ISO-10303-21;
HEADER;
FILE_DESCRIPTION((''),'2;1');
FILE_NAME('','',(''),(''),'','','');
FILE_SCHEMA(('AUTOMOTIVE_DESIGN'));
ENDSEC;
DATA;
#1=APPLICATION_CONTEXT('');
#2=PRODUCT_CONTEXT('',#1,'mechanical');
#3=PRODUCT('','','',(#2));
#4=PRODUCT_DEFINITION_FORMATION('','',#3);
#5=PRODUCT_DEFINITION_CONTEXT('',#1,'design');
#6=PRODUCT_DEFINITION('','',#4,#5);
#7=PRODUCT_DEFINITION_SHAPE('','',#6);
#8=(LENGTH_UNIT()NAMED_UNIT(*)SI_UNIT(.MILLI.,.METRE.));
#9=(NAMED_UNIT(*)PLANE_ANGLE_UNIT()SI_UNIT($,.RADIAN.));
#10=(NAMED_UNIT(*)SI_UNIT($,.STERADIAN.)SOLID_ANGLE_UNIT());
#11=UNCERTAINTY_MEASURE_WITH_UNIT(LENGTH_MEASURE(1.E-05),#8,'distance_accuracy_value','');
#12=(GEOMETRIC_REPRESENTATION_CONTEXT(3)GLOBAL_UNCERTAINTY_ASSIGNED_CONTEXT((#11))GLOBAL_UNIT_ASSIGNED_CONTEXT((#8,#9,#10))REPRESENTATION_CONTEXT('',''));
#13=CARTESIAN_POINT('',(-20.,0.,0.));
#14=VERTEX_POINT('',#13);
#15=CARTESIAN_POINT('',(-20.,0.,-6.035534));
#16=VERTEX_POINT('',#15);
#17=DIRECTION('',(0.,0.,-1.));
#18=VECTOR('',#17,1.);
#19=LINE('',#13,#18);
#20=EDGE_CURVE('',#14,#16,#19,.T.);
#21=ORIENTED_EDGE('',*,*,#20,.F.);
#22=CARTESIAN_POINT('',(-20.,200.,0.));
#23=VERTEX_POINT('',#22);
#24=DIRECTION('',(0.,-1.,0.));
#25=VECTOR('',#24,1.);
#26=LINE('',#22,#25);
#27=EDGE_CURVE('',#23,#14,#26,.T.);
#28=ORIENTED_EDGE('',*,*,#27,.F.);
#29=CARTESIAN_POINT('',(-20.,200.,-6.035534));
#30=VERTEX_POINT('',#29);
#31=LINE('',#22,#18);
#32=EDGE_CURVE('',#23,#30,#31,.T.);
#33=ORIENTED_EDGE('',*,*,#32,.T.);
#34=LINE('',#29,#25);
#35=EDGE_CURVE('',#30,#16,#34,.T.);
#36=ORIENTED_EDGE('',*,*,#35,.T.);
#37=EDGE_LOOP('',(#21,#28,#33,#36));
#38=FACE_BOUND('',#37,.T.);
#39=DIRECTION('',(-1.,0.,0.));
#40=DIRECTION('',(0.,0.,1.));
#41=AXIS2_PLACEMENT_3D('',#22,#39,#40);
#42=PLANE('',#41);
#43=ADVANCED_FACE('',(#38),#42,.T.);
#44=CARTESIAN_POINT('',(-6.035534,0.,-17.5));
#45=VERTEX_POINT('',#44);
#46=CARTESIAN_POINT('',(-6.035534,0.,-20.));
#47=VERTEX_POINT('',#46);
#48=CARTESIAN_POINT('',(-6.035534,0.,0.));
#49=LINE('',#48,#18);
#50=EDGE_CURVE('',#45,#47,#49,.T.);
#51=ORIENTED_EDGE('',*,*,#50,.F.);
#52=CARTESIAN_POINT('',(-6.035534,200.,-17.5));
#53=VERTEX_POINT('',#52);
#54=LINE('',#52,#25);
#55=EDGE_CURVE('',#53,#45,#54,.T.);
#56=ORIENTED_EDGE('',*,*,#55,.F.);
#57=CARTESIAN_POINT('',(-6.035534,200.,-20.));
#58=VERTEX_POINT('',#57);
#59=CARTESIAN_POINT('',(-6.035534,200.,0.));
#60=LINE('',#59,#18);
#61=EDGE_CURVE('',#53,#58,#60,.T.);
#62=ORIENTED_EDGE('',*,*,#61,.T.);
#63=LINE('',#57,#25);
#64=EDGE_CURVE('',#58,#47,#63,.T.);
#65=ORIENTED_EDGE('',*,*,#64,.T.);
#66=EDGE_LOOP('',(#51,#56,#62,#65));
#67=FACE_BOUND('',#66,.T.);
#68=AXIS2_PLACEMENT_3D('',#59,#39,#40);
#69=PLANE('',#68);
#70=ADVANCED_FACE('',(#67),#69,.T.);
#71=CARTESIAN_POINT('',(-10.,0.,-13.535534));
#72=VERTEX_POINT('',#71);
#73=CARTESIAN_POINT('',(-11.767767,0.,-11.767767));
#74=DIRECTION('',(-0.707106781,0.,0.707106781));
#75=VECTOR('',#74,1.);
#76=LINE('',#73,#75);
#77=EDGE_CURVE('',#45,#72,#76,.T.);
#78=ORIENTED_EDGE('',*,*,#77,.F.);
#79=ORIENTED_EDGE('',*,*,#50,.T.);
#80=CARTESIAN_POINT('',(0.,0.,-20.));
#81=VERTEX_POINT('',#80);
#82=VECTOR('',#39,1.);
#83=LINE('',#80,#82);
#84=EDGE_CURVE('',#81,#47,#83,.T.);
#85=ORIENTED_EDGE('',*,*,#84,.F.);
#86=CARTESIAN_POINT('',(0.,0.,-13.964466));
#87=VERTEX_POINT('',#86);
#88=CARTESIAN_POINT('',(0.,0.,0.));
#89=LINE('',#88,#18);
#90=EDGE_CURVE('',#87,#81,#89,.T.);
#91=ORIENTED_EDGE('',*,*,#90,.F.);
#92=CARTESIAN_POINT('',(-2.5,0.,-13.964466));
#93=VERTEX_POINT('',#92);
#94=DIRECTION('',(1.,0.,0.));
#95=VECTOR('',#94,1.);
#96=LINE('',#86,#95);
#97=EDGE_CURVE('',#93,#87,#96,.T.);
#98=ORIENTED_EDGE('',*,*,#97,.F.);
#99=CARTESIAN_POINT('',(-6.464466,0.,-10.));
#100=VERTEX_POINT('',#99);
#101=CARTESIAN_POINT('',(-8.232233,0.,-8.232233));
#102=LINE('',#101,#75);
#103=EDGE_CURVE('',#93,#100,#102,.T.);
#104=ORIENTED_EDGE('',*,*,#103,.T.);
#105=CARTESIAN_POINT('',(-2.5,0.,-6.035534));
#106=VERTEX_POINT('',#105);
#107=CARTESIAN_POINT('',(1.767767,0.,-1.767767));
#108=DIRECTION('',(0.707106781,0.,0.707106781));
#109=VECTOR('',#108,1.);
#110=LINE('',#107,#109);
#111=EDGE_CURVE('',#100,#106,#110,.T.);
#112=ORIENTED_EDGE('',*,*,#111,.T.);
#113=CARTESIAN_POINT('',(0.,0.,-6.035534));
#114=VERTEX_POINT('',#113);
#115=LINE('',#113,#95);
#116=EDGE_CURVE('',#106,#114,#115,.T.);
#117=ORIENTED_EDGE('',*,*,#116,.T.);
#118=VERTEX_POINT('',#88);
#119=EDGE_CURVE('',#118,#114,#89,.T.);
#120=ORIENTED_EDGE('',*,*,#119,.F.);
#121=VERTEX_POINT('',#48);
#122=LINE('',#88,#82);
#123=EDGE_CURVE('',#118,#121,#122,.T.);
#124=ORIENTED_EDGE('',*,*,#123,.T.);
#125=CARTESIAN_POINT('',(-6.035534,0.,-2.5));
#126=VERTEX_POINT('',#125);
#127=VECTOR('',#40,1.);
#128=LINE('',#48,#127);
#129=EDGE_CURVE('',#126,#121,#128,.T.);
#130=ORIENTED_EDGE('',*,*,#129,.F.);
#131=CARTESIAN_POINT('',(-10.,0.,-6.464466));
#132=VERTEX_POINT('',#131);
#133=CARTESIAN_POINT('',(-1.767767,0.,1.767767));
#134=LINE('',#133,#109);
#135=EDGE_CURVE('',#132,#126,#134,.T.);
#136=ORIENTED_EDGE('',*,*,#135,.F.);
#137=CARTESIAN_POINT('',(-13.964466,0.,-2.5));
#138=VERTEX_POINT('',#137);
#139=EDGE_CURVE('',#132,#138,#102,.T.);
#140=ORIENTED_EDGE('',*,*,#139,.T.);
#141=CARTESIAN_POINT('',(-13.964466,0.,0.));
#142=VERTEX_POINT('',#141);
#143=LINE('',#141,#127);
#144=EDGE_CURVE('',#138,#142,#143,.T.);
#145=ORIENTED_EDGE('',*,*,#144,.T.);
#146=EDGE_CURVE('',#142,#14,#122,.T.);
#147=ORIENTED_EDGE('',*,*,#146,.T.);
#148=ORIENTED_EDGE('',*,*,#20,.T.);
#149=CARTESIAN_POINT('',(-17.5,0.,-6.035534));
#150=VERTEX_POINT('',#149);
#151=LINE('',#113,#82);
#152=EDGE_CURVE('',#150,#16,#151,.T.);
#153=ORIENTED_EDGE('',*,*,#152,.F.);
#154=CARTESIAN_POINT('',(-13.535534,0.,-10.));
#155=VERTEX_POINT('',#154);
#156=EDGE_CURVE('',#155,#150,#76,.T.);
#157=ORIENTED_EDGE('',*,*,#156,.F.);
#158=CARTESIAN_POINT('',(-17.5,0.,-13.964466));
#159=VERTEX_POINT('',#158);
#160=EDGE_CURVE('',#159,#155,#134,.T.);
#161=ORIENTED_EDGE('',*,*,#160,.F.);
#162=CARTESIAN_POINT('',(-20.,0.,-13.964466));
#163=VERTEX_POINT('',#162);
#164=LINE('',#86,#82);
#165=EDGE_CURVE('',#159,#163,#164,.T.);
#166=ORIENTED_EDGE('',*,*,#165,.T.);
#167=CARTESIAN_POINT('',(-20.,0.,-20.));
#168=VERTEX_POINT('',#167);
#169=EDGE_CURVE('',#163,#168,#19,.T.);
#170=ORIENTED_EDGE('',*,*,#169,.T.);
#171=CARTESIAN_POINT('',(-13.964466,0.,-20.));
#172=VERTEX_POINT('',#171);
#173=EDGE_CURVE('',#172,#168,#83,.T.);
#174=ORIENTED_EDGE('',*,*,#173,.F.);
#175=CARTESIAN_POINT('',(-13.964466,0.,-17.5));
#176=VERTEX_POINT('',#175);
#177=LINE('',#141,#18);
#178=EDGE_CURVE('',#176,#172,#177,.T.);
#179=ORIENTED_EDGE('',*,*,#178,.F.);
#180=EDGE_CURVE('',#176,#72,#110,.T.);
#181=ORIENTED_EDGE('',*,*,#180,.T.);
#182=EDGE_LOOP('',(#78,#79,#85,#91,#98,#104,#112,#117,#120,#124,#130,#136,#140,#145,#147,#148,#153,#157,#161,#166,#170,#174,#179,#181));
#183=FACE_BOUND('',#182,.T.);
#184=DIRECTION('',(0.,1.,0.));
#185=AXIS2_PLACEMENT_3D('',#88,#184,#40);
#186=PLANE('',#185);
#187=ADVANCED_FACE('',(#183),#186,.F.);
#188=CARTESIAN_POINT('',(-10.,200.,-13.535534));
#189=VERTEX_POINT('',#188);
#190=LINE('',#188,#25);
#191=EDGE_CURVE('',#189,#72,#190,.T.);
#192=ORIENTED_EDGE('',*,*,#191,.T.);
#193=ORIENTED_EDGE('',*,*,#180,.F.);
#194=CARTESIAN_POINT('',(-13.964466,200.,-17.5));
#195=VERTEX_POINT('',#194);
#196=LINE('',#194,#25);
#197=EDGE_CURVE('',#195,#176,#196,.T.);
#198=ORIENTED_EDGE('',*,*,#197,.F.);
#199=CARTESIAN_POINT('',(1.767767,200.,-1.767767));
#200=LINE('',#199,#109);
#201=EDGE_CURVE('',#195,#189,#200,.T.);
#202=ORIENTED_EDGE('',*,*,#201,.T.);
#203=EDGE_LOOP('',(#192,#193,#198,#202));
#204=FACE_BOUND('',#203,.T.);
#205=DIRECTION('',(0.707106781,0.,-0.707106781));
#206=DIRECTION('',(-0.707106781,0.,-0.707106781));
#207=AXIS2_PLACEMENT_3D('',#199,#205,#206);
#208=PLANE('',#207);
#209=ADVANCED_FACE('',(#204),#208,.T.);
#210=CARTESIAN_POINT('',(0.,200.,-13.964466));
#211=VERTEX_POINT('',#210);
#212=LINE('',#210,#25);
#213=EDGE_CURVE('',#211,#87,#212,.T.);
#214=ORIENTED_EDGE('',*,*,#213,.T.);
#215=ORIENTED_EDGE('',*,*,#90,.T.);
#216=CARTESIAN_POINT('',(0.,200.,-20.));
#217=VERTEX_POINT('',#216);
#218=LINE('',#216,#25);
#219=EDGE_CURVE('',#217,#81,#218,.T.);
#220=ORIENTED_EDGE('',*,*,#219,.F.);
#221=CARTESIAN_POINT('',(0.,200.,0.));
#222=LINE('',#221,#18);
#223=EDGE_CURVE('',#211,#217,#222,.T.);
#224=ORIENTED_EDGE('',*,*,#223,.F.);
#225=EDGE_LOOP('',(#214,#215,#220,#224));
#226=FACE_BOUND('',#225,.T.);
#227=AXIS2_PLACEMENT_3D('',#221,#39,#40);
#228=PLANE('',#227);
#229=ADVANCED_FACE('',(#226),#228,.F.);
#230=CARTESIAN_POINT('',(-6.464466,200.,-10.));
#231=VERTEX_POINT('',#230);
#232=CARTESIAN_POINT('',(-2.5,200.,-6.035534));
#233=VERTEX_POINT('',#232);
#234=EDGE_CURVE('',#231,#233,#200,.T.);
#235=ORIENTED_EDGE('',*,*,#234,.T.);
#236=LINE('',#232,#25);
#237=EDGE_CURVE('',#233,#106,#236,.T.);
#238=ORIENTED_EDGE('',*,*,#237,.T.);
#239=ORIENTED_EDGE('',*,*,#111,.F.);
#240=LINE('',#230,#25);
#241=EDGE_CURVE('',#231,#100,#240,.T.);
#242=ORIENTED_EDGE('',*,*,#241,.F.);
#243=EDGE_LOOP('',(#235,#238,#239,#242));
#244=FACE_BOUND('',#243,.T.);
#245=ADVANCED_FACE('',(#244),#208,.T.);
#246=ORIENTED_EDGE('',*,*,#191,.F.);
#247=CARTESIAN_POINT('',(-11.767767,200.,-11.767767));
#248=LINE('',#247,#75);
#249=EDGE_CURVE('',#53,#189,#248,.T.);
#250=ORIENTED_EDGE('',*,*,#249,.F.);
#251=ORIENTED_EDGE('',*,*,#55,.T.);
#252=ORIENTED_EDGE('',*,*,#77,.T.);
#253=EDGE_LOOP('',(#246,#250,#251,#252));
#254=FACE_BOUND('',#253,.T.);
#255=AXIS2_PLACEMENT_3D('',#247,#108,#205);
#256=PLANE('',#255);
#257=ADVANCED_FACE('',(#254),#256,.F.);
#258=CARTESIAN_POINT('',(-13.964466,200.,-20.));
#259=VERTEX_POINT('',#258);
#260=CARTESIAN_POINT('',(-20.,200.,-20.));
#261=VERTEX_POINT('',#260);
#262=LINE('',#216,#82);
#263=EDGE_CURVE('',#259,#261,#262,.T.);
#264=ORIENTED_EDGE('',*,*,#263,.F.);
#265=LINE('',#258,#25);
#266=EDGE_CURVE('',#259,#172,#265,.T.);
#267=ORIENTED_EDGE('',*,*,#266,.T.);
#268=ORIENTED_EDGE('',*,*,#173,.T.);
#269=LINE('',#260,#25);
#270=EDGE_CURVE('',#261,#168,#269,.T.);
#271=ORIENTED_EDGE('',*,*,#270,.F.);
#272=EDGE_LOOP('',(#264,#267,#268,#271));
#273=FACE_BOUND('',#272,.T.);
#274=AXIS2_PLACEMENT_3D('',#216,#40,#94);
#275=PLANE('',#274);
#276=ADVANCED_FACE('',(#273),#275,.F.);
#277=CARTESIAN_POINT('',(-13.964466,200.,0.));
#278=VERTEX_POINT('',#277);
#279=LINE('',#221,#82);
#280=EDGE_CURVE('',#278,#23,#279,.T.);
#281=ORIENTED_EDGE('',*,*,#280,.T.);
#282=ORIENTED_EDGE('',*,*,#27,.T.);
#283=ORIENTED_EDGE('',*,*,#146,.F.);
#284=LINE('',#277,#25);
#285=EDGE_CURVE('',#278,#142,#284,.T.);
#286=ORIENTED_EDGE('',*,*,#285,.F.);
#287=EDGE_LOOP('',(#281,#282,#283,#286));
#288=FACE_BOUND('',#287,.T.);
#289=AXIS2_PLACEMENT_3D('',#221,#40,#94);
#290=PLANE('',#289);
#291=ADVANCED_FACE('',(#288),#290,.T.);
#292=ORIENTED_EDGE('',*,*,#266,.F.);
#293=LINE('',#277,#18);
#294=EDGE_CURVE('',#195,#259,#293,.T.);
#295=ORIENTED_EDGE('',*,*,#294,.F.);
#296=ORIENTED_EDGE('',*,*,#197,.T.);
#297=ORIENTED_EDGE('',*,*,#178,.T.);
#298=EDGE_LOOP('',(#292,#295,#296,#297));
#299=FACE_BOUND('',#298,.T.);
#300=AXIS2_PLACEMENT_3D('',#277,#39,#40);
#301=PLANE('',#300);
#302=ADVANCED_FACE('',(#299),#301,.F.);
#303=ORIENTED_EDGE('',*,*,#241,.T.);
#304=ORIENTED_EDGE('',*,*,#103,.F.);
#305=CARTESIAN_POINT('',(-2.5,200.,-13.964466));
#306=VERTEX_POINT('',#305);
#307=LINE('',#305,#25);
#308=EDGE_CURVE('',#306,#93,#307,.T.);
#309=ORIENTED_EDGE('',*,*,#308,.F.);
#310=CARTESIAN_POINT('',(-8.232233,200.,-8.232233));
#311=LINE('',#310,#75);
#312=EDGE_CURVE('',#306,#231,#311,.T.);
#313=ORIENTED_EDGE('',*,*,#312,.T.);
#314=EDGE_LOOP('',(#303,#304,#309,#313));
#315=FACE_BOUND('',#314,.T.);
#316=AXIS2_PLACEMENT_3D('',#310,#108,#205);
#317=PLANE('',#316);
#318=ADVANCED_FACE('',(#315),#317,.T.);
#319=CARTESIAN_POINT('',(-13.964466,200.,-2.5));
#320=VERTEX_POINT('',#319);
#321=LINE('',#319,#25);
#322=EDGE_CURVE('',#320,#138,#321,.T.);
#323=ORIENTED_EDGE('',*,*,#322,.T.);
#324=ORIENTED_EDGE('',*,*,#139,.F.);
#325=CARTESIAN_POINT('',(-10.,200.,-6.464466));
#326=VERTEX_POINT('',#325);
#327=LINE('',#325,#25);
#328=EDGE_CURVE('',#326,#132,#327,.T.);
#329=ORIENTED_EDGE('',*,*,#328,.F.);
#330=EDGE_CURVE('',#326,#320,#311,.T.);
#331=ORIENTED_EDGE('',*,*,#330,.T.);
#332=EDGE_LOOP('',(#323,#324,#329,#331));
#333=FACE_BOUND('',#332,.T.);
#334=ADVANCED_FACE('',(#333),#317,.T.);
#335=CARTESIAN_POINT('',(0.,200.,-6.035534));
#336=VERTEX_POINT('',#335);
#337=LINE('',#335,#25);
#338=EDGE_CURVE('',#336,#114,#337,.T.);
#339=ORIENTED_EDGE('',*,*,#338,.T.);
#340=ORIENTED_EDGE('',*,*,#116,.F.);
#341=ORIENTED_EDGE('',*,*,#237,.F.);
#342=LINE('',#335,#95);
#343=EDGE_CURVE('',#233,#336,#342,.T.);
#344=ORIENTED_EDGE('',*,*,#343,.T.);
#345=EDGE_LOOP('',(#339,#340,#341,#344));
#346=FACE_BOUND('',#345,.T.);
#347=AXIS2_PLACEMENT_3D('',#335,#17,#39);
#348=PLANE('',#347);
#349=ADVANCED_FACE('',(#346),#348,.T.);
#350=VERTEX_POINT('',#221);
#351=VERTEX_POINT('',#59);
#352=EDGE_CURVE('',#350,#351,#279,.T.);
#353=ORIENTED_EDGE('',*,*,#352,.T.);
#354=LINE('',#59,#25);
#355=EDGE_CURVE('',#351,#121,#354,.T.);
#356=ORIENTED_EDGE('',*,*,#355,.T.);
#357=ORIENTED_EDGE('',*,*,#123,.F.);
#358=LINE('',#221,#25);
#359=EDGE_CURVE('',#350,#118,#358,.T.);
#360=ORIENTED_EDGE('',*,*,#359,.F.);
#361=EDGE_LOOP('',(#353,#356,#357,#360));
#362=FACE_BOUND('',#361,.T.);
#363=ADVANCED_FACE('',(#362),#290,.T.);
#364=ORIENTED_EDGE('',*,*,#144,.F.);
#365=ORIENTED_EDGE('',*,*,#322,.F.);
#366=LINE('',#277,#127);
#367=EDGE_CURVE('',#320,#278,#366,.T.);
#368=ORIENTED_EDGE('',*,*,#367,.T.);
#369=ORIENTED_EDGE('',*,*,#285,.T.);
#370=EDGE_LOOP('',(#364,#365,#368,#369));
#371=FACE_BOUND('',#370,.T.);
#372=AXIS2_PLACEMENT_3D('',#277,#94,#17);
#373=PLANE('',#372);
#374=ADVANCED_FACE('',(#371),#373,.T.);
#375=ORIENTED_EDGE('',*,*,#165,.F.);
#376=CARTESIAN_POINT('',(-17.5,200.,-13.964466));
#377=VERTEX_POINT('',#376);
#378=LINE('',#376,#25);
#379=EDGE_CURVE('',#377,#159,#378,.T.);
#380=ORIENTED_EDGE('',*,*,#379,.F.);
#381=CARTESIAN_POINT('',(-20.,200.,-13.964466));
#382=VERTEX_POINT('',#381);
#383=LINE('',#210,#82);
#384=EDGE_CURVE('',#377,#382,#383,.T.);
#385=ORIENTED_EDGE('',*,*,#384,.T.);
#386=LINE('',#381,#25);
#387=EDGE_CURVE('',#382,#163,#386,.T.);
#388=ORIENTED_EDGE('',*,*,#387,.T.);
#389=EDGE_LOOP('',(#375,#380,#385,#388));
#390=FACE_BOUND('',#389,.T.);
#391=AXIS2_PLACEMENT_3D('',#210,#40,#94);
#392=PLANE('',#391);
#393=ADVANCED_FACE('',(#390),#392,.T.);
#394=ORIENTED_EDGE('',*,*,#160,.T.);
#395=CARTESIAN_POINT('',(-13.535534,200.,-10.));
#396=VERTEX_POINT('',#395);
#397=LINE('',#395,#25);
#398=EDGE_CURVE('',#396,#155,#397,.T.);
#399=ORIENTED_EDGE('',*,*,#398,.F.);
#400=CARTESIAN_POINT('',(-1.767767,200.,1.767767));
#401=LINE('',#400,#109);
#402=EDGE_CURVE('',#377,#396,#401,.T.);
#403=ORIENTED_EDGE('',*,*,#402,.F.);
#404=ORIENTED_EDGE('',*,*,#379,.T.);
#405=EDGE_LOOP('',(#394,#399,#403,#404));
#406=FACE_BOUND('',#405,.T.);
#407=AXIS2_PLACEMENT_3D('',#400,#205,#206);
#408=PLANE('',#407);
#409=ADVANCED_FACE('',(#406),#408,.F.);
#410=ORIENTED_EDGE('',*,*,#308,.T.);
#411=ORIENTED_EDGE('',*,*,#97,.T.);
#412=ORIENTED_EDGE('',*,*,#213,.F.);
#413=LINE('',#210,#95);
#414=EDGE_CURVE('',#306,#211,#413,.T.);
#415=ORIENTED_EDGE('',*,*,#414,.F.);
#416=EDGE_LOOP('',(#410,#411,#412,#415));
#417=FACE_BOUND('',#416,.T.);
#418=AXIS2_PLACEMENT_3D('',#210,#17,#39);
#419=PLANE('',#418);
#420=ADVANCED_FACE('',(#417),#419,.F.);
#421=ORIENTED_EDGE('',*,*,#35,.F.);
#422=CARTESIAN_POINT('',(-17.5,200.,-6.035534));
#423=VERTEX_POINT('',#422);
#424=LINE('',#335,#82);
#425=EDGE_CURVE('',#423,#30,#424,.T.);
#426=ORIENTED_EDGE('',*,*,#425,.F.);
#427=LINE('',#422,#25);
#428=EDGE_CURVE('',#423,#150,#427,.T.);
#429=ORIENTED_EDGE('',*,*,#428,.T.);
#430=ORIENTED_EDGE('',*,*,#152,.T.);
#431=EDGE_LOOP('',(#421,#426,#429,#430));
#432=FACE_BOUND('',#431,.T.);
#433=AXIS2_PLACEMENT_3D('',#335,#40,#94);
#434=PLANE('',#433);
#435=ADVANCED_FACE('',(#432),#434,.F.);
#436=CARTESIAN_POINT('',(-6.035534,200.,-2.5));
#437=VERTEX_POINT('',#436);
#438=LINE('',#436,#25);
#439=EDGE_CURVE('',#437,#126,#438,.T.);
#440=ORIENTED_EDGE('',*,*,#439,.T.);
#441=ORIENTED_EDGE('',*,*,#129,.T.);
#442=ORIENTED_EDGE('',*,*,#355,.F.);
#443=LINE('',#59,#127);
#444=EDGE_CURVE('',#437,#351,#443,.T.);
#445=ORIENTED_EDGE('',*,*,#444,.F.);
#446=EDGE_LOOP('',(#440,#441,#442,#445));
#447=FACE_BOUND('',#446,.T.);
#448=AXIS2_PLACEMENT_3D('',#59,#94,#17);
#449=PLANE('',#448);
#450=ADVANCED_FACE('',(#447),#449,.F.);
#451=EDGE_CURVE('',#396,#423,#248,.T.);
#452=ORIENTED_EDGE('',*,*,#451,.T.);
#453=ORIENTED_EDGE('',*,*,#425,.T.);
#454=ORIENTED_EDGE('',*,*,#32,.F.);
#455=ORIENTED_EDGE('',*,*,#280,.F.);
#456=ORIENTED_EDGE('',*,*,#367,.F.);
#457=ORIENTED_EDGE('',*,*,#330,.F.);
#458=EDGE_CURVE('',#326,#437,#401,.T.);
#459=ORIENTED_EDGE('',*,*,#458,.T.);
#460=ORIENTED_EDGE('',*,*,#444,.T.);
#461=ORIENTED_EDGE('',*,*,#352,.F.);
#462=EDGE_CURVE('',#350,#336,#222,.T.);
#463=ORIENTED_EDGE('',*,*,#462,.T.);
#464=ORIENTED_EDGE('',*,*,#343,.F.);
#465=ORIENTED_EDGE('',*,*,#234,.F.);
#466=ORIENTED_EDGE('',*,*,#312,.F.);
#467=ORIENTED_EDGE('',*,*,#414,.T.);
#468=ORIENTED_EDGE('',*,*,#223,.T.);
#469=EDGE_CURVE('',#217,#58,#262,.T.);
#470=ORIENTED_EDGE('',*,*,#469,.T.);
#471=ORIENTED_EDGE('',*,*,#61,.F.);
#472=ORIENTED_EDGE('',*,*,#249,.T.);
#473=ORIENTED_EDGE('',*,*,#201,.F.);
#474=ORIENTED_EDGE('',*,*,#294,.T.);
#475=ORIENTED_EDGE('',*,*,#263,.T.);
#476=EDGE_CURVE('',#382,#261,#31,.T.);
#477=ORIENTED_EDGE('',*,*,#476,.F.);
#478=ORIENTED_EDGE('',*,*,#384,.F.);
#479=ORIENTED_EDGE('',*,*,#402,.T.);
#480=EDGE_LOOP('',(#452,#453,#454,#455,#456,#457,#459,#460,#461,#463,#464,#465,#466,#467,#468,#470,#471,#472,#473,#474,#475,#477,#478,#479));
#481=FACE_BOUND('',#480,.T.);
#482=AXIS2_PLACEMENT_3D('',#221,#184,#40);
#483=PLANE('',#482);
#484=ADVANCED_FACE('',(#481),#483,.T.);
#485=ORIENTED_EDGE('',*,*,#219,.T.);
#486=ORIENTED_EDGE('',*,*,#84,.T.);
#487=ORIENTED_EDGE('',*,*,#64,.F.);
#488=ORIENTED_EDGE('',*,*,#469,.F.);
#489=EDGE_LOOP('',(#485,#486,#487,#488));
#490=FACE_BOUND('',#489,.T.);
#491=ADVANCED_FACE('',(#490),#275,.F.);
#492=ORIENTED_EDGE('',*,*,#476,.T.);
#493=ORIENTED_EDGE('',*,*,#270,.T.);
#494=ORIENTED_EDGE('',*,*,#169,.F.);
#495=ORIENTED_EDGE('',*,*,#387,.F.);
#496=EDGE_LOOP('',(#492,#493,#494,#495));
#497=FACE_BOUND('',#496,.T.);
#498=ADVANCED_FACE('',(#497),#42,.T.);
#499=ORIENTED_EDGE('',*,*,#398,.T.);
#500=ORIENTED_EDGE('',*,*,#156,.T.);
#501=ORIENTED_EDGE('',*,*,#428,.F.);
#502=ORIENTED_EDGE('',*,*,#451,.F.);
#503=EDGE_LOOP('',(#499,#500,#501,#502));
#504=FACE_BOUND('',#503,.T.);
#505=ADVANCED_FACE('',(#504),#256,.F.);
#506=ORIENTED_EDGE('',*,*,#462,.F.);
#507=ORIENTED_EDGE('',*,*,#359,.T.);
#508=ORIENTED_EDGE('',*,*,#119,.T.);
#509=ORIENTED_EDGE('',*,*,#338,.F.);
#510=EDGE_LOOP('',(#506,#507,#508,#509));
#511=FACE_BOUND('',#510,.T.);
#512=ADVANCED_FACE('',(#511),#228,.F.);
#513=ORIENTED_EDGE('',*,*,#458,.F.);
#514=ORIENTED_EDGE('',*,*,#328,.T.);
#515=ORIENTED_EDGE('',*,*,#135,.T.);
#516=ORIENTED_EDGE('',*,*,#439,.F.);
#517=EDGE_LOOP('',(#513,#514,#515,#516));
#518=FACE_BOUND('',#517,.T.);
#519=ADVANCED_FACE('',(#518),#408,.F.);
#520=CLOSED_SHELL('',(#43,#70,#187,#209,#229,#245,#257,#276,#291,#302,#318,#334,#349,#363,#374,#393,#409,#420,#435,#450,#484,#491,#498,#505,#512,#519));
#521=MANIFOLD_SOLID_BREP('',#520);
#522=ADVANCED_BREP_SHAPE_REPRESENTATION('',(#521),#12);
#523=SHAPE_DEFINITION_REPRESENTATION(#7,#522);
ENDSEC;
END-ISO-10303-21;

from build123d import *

# Parameters (mm, degrees)
BOSS_EXTRU_1_DEPTH = 200


with BuildPart() as part:
    # Esquisse1 → Boss.-Extru.1 (new body)
    with BuildSketch(Plane(origin=(0, 0, 0), x_dir=(1, 0, 0), z_dir=(0, 1, 0))):
        Polygon((-3.535533906, 0), (-6.035533906, 2.5), (-6.035533906, 0), align=None)
        Polygon((0, 3.535533906), (-2.5, 6.035533906), (-2.5, 2.5), (-6.035533906, 2.5), (-3.535533906, 0), (0, 0), align=None)
        Polygon((0, 6.035533906), (-2.5, 6.035533906), (0, 3.535533906), align=None)
        Polygon((-2.5, 2.5), (-2.5, 6.035533906), (-6.464466094, 10), (-10, 6.464466094), (-6.035533906, 2.5), align=None)
        Polygon((-13.964466094, 0), (-13.964466094, 2.5), (-16.464466094, 0), align=None)
        Polygon((-17.5, 2.5), (-17.5, 6.035533906), (-20, 3.535533906), (-20, 0), (-16.464466094, 0), (-13.964466094, 2.5), align=None)
        Polygon((-20, 3.535533906), (-17.5, 6.035533906), (-20, 6.035533906), align=None)
        Polygon((-10, 6.464466094), (-13.535533906, 10), (-17.5, 6.035533906), (-17.5, 2.5), (-13.964466094, 2.5), align=None)
        Polygon((-6.464466094, 10), (-10, 13.535533906), (-13.535533906, 10), (-10, 6.464466094), align=None)
        Polygon((-2.5, 13.964466094), (-2.5, 17.5), (-6.035533906, 17.5), (-10, 13.535533906), (-6.464466094, 10), align=None)
        Polygon((-6.035533906, 17.5), (-2.5, 17.5), (-2.5, 13.964466094), (0, 16.464466094), (0, 20), (-3.535533906, 20), align=None)
        Polygon((0, 16.464466094), (-2.5, 13.964466094), (0, 13.964466094), align=None)
        Polygon((-6.035533906, 20), (-6.035533906, 17.5), (-3.535533906, 20), align=None)
        Polygon((-16.464466094, 20), (-13.964466094, 17.5), (-13.964466094, 20), align=None)
        Polygon((-17.5, 17.5), (-13.964466094, 17.5), (-16.464466094, 20), (-20, 20), (-20, 16.464466094), (-17.5, 13.964466094), align=None)
        Polygon((-20, 13.964466094), (-17.5, 13.964466094), (-20, 16.464466094), align=None)
        Polygon((-10, 13.535533906), (-13.964466094, 17.5), (-17.5, 17.5), (-17.5, 13.964466094), (-13.535533906, 10), align=None)
    extrude(amount=BOSS_EXTRU_1_DEPTH)


solid = part.part
